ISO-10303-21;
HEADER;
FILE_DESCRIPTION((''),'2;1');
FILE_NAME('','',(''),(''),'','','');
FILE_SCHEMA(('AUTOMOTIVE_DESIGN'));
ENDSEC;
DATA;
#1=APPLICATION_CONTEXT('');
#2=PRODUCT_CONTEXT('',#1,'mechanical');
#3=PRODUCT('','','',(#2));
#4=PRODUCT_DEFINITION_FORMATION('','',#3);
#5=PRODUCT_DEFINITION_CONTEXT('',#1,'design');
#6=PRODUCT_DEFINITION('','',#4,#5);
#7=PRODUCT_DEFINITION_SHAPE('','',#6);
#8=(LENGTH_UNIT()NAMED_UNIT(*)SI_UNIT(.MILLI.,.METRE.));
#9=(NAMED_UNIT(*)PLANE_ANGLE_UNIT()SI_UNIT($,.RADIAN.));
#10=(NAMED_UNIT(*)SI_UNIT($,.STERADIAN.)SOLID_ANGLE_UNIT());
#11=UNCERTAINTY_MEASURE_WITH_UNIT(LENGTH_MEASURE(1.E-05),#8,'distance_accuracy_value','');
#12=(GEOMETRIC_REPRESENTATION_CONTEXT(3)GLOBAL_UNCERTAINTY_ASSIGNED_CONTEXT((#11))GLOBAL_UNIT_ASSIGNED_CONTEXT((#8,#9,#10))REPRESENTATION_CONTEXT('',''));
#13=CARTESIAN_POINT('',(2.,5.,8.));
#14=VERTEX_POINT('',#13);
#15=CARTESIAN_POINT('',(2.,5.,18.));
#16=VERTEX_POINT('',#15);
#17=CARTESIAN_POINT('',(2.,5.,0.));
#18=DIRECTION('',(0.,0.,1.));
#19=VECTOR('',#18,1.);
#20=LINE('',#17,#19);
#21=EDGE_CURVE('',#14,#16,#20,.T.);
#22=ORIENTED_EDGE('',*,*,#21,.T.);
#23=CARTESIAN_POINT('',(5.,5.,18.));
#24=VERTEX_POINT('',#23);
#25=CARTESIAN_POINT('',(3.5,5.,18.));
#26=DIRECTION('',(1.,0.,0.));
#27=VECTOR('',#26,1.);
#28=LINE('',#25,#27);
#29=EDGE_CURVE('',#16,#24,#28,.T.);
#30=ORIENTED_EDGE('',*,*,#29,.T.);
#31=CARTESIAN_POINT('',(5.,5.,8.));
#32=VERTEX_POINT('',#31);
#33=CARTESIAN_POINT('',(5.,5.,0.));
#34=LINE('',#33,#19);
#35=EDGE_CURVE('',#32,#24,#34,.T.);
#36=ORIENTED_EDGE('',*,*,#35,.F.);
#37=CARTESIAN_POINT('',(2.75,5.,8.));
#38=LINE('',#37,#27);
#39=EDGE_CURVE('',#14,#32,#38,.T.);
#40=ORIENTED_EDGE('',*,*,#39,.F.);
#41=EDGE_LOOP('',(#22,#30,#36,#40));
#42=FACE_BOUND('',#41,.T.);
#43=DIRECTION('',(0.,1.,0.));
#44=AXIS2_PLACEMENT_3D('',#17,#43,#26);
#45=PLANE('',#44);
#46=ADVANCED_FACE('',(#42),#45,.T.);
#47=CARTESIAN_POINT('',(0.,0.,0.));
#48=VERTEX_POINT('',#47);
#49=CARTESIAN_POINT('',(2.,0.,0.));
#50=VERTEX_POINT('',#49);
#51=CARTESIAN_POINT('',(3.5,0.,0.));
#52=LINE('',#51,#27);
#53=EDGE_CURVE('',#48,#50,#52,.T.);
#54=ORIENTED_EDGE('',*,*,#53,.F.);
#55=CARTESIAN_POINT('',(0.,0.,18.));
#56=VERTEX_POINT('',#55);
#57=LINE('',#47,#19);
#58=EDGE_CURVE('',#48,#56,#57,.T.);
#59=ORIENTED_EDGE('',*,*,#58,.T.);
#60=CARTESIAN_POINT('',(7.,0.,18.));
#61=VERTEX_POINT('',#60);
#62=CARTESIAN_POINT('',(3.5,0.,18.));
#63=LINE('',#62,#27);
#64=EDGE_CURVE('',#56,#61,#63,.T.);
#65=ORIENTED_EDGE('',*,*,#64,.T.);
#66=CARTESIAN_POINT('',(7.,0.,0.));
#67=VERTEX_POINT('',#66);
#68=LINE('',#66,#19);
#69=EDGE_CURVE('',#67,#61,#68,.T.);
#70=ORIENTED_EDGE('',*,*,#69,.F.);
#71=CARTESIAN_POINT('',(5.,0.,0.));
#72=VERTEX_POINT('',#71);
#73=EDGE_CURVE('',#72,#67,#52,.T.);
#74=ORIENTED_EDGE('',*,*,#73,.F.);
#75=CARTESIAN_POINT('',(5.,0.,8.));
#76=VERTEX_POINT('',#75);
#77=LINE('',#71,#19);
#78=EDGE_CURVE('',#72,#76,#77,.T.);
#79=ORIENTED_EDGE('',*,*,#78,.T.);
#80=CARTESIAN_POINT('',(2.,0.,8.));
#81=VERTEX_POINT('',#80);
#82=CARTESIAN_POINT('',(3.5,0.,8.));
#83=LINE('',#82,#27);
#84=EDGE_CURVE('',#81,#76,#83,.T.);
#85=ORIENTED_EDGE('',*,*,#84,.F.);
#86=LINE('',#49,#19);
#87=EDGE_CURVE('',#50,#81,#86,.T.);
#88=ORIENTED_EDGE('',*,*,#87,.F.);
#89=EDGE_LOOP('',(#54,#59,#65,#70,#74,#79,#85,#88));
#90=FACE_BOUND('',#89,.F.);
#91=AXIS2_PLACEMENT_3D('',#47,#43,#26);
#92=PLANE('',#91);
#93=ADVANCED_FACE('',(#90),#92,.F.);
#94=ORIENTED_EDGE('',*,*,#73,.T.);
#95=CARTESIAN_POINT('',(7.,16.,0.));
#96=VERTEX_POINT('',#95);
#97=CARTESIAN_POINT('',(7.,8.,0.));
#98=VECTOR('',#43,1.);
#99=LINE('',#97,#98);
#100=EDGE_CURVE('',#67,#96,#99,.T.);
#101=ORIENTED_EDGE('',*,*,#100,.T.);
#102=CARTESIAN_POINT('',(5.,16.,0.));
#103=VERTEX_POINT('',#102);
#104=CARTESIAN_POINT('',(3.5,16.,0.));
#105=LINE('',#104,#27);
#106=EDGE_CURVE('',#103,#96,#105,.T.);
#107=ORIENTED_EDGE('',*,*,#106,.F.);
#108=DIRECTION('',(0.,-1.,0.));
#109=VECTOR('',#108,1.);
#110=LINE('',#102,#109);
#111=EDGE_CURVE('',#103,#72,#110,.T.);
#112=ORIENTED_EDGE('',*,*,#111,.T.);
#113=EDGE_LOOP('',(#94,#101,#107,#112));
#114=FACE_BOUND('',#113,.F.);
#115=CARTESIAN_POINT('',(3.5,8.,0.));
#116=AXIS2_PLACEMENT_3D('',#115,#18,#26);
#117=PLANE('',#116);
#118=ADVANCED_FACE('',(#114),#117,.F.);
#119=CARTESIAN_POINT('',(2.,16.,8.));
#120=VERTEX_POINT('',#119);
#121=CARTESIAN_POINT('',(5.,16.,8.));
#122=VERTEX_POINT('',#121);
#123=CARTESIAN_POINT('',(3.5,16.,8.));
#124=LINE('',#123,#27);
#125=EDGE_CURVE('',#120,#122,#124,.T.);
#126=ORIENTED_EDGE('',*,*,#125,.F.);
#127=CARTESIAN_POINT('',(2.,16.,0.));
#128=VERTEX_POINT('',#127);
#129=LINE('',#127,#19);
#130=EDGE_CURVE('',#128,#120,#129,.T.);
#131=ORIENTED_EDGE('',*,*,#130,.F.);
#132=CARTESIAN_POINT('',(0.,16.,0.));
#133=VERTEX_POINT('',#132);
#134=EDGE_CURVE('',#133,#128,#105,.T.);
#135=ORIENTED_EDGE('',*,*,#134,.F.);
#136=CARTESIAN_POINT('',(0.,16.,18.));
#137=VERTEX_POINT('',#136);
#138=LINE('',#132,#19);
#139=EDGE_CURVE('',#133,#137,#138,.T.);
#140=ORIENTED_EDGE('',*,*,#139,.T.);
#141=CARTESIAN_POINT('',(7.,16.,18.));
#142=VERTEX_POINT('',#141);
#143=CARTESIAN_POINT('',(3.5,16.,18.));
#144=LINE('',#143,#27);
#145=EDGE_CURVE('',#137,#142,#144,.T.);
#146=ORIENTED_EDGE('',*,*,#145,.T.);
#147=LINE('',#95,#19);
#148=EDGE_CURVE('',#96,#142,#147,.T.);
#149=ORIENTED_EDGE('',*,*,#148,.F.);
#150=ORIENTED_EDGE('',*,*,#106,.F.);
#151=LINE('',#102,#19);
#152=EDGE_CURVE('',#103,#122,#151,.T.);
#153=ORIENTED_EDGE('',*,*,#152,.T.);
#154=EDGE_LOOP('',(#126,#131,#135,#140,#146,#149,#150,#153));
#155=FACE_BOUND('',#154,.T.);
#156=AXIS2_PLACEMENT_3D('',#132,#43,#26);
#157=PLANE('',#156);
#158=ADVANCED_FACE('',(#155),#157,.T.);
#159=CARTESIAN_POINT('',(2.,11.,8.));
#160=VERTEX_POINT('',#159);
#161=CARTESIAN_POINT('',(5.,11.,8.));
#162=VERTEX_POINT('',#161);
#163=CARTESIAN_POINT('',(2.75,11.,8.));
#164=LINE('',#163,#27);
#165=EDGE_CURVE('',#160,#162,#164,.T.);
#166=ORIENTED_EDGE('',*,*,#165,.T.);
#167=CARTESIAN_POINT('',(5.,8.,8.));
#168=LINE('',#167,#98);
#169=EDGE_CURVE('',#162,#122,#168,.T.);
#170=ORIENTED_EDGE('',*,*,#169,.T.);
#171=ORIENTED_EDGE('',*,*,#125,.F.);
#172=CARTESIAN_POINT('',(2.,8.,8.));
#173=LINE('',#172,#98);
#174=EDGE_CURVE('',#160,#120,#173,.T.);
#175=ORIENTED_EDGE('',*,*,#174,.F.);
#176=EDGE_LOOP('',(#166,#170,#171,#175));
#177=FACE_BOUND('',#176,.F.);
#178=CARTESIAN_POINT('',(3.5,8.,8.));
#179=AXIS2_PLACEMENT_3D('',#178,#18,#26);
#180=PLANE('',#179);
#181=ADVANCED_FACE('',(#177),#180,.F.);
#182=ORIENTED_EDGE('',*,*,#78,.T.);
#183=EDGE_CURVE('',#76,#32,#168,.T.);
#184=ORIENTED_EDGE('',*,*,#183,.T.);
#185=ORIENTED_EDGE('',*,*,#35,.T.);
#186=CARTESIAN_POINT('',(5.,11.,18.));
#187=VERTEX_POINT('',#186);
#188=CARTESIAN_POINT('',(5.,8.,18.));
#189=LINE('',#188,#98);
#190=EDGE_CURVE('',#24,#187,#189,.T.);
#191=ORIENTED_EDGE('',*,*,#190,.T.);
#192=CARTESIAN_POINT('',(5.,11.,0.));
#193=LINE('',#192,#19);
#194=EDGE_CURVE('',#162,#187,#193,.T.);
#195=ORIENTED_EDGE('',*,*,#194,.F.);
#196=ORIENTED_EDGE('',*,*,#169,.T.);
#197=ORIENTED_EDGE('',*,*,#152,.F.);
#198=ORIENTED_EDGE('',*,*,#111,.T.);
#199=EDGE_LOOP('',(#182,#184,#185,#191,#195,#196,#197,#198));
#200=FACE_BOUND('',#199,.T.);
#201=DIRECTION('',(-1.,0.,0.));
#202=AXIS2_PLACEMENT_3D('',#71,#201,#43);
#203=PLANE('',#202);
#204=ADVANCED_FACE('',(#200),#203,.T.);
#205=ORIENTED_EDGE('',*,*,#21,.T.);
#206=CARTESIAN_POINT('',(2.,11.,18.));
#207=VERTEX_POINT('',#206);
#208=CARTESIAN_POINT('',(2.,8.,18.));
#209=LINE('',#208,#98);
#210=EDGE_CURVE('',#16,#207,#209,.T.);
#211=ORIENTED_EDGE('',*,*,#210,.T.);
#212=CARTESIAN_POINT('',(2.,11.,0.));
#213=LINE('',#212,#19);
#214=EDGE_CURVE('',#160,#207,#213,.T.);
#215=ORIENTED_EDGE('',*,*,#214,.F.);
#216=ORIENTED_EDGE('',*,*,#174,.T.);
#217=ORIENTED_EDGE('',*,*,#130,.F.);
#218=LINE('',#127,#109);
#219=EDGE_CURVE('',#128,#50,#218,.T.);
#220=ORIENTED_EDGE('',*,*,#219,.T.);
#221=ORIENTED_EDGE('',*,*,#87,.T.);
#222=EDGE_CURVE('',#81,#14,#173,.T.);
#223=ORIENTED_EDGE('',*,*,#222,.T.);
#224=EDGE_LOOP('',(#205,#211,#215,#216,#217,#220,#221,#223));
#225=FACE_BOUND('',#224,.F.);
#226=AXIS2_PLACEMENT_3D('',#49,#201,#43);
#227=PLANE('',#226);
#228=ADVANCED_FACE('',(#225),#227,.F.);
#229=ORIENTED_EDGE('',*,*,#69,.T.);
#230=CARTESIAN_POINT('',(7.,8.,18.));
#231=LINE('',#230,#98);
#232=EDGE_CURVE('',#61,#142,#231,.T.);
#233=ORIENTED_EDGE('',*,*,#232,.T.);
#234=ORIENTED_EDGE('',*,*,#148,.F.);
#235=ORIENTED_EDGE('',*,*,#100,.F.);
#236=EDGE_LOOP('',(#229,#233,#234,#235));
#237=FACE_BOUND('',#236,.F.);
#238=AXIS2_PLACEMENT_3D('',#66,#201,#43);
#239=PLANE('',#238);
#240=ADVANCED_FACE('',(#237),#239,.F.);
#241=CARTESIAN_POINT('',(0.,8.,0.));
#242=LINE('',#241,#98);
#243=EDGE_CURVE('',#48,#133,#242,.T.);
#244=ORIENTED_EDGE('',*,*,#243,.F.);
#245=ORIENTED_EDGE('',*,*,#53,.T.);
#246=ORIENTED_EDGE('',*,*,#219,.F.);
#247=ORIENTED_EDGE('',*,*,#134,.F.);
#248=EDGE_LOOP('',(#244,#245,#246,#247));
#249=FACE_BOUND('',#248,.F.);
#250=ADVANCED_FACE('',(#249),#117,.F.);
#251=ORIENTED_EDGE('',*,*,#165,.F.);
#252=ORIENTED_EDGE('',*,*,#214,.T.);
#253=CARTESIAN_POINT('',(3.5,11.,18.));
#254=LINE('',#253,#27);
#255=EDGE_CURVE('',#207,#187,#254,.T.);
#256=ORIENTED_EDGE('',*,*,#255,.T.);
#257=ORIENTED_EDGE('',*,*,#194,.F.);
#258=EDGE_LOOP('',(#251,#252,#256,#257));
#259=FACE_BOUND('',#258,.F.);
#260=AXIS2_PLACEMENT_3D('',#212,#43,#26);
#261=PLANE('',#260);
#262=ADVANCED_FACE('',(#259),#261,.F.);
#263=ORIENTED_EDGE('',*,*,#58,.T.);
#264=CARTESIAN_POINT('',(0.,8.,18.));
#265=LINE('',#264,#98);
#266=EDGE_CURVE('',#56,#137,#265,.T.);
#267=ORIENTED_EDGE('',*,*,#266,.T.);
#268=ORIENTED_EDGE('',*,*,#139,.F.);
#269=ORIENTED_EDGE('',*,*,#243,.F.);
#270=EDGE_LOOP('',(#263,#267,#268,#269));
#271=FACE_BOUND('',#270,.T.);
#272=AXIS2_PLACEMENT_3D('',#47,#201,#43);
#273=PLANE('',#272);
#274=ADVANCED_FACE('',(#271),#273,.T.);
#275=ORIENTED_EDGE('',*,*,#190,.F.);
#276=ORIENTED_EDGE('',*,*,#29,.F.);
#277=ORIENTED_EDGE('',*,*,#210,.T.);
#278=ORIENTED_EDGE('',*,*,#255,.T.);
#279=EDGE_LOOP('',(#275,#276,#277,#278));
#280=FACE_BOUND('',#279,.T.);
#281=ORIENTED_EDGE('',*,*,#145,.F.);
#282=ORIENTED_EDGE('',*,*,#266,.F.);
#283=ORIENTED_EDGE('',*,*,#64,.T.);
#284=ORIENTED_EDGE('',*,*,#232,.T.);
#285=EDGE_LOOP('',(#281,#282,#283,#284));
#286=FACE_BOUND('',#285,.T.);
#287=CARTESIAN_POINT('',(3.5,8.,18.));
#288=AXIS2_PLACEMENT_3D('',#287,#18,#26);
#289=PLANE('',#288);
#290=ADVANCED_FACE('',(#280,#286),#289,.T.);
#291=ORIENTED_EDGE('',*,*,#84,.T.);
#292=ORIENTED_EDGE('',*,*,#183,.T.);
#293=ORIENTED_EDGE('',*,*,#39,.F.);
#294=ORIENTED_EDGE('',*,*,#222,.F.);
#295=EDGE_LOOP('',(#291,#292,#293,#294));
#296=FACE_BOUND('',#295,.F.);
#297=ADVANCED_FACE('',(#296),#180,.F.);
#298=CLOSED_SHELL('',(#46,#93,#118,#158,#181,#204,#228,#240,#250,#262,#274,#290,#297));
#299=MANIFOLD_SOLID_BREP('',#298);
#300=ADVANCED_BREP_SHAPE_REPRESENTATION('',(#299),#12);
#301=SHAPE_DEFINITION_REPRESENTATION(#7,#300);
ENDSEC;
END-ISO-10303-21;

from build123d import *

# Parameters (mm, degrees)
BOX002_W     = 3
BOX002_H     = 16
BOX002_DEPTH = 8
BOX001_W     = 3
BOX001_H     = 6
BOX001_DEPTH = 18
BOX_W        = 7
BOX_H        = 16
BOX_DEPTH    = 18


with BuildPart() as cube002:
    # Box002 → Box002 (new body)
    with BuildSketch(Plane(origin=(2, 0, 0), x_dir=(1, 0, 0), z_dir=(0, 0, 1))):
        with Locations((1.5, 8)):
            Rectangle(BOX002_W, BOX002_H)
    extrude(amount=BOX002_DEPTH)


with BuildPart() as cube001:
    # Box001 → Box001 (new body)
    with BuildSketch(Plane(origin=(2, 5, 0), x_dir=(1, 0, 0), z_dir=(0, 0, 1))):
        with Locations((1.5, 3)):
            Rectangle(BOX001_W, BOX001_H)
    extrude(amount=BOX001_DEPTH)


with BuildPart() as cut001:
    # Box → Box (new body)
    with BuildSketch(Plane.XY):
        with Locations((3.5, 8)):
            Rectangle(BOX_W, BOX_H)
    extrude(amount=BOX_DEPTH)

    # Cut: cut Cube001
    add(cube001.part, mode=Mode.SUBTRACT)

    # Cut001: cut Cube002
    add(cube002.part, mode=Mode.SUBTRACT)


solid = cut001.part
